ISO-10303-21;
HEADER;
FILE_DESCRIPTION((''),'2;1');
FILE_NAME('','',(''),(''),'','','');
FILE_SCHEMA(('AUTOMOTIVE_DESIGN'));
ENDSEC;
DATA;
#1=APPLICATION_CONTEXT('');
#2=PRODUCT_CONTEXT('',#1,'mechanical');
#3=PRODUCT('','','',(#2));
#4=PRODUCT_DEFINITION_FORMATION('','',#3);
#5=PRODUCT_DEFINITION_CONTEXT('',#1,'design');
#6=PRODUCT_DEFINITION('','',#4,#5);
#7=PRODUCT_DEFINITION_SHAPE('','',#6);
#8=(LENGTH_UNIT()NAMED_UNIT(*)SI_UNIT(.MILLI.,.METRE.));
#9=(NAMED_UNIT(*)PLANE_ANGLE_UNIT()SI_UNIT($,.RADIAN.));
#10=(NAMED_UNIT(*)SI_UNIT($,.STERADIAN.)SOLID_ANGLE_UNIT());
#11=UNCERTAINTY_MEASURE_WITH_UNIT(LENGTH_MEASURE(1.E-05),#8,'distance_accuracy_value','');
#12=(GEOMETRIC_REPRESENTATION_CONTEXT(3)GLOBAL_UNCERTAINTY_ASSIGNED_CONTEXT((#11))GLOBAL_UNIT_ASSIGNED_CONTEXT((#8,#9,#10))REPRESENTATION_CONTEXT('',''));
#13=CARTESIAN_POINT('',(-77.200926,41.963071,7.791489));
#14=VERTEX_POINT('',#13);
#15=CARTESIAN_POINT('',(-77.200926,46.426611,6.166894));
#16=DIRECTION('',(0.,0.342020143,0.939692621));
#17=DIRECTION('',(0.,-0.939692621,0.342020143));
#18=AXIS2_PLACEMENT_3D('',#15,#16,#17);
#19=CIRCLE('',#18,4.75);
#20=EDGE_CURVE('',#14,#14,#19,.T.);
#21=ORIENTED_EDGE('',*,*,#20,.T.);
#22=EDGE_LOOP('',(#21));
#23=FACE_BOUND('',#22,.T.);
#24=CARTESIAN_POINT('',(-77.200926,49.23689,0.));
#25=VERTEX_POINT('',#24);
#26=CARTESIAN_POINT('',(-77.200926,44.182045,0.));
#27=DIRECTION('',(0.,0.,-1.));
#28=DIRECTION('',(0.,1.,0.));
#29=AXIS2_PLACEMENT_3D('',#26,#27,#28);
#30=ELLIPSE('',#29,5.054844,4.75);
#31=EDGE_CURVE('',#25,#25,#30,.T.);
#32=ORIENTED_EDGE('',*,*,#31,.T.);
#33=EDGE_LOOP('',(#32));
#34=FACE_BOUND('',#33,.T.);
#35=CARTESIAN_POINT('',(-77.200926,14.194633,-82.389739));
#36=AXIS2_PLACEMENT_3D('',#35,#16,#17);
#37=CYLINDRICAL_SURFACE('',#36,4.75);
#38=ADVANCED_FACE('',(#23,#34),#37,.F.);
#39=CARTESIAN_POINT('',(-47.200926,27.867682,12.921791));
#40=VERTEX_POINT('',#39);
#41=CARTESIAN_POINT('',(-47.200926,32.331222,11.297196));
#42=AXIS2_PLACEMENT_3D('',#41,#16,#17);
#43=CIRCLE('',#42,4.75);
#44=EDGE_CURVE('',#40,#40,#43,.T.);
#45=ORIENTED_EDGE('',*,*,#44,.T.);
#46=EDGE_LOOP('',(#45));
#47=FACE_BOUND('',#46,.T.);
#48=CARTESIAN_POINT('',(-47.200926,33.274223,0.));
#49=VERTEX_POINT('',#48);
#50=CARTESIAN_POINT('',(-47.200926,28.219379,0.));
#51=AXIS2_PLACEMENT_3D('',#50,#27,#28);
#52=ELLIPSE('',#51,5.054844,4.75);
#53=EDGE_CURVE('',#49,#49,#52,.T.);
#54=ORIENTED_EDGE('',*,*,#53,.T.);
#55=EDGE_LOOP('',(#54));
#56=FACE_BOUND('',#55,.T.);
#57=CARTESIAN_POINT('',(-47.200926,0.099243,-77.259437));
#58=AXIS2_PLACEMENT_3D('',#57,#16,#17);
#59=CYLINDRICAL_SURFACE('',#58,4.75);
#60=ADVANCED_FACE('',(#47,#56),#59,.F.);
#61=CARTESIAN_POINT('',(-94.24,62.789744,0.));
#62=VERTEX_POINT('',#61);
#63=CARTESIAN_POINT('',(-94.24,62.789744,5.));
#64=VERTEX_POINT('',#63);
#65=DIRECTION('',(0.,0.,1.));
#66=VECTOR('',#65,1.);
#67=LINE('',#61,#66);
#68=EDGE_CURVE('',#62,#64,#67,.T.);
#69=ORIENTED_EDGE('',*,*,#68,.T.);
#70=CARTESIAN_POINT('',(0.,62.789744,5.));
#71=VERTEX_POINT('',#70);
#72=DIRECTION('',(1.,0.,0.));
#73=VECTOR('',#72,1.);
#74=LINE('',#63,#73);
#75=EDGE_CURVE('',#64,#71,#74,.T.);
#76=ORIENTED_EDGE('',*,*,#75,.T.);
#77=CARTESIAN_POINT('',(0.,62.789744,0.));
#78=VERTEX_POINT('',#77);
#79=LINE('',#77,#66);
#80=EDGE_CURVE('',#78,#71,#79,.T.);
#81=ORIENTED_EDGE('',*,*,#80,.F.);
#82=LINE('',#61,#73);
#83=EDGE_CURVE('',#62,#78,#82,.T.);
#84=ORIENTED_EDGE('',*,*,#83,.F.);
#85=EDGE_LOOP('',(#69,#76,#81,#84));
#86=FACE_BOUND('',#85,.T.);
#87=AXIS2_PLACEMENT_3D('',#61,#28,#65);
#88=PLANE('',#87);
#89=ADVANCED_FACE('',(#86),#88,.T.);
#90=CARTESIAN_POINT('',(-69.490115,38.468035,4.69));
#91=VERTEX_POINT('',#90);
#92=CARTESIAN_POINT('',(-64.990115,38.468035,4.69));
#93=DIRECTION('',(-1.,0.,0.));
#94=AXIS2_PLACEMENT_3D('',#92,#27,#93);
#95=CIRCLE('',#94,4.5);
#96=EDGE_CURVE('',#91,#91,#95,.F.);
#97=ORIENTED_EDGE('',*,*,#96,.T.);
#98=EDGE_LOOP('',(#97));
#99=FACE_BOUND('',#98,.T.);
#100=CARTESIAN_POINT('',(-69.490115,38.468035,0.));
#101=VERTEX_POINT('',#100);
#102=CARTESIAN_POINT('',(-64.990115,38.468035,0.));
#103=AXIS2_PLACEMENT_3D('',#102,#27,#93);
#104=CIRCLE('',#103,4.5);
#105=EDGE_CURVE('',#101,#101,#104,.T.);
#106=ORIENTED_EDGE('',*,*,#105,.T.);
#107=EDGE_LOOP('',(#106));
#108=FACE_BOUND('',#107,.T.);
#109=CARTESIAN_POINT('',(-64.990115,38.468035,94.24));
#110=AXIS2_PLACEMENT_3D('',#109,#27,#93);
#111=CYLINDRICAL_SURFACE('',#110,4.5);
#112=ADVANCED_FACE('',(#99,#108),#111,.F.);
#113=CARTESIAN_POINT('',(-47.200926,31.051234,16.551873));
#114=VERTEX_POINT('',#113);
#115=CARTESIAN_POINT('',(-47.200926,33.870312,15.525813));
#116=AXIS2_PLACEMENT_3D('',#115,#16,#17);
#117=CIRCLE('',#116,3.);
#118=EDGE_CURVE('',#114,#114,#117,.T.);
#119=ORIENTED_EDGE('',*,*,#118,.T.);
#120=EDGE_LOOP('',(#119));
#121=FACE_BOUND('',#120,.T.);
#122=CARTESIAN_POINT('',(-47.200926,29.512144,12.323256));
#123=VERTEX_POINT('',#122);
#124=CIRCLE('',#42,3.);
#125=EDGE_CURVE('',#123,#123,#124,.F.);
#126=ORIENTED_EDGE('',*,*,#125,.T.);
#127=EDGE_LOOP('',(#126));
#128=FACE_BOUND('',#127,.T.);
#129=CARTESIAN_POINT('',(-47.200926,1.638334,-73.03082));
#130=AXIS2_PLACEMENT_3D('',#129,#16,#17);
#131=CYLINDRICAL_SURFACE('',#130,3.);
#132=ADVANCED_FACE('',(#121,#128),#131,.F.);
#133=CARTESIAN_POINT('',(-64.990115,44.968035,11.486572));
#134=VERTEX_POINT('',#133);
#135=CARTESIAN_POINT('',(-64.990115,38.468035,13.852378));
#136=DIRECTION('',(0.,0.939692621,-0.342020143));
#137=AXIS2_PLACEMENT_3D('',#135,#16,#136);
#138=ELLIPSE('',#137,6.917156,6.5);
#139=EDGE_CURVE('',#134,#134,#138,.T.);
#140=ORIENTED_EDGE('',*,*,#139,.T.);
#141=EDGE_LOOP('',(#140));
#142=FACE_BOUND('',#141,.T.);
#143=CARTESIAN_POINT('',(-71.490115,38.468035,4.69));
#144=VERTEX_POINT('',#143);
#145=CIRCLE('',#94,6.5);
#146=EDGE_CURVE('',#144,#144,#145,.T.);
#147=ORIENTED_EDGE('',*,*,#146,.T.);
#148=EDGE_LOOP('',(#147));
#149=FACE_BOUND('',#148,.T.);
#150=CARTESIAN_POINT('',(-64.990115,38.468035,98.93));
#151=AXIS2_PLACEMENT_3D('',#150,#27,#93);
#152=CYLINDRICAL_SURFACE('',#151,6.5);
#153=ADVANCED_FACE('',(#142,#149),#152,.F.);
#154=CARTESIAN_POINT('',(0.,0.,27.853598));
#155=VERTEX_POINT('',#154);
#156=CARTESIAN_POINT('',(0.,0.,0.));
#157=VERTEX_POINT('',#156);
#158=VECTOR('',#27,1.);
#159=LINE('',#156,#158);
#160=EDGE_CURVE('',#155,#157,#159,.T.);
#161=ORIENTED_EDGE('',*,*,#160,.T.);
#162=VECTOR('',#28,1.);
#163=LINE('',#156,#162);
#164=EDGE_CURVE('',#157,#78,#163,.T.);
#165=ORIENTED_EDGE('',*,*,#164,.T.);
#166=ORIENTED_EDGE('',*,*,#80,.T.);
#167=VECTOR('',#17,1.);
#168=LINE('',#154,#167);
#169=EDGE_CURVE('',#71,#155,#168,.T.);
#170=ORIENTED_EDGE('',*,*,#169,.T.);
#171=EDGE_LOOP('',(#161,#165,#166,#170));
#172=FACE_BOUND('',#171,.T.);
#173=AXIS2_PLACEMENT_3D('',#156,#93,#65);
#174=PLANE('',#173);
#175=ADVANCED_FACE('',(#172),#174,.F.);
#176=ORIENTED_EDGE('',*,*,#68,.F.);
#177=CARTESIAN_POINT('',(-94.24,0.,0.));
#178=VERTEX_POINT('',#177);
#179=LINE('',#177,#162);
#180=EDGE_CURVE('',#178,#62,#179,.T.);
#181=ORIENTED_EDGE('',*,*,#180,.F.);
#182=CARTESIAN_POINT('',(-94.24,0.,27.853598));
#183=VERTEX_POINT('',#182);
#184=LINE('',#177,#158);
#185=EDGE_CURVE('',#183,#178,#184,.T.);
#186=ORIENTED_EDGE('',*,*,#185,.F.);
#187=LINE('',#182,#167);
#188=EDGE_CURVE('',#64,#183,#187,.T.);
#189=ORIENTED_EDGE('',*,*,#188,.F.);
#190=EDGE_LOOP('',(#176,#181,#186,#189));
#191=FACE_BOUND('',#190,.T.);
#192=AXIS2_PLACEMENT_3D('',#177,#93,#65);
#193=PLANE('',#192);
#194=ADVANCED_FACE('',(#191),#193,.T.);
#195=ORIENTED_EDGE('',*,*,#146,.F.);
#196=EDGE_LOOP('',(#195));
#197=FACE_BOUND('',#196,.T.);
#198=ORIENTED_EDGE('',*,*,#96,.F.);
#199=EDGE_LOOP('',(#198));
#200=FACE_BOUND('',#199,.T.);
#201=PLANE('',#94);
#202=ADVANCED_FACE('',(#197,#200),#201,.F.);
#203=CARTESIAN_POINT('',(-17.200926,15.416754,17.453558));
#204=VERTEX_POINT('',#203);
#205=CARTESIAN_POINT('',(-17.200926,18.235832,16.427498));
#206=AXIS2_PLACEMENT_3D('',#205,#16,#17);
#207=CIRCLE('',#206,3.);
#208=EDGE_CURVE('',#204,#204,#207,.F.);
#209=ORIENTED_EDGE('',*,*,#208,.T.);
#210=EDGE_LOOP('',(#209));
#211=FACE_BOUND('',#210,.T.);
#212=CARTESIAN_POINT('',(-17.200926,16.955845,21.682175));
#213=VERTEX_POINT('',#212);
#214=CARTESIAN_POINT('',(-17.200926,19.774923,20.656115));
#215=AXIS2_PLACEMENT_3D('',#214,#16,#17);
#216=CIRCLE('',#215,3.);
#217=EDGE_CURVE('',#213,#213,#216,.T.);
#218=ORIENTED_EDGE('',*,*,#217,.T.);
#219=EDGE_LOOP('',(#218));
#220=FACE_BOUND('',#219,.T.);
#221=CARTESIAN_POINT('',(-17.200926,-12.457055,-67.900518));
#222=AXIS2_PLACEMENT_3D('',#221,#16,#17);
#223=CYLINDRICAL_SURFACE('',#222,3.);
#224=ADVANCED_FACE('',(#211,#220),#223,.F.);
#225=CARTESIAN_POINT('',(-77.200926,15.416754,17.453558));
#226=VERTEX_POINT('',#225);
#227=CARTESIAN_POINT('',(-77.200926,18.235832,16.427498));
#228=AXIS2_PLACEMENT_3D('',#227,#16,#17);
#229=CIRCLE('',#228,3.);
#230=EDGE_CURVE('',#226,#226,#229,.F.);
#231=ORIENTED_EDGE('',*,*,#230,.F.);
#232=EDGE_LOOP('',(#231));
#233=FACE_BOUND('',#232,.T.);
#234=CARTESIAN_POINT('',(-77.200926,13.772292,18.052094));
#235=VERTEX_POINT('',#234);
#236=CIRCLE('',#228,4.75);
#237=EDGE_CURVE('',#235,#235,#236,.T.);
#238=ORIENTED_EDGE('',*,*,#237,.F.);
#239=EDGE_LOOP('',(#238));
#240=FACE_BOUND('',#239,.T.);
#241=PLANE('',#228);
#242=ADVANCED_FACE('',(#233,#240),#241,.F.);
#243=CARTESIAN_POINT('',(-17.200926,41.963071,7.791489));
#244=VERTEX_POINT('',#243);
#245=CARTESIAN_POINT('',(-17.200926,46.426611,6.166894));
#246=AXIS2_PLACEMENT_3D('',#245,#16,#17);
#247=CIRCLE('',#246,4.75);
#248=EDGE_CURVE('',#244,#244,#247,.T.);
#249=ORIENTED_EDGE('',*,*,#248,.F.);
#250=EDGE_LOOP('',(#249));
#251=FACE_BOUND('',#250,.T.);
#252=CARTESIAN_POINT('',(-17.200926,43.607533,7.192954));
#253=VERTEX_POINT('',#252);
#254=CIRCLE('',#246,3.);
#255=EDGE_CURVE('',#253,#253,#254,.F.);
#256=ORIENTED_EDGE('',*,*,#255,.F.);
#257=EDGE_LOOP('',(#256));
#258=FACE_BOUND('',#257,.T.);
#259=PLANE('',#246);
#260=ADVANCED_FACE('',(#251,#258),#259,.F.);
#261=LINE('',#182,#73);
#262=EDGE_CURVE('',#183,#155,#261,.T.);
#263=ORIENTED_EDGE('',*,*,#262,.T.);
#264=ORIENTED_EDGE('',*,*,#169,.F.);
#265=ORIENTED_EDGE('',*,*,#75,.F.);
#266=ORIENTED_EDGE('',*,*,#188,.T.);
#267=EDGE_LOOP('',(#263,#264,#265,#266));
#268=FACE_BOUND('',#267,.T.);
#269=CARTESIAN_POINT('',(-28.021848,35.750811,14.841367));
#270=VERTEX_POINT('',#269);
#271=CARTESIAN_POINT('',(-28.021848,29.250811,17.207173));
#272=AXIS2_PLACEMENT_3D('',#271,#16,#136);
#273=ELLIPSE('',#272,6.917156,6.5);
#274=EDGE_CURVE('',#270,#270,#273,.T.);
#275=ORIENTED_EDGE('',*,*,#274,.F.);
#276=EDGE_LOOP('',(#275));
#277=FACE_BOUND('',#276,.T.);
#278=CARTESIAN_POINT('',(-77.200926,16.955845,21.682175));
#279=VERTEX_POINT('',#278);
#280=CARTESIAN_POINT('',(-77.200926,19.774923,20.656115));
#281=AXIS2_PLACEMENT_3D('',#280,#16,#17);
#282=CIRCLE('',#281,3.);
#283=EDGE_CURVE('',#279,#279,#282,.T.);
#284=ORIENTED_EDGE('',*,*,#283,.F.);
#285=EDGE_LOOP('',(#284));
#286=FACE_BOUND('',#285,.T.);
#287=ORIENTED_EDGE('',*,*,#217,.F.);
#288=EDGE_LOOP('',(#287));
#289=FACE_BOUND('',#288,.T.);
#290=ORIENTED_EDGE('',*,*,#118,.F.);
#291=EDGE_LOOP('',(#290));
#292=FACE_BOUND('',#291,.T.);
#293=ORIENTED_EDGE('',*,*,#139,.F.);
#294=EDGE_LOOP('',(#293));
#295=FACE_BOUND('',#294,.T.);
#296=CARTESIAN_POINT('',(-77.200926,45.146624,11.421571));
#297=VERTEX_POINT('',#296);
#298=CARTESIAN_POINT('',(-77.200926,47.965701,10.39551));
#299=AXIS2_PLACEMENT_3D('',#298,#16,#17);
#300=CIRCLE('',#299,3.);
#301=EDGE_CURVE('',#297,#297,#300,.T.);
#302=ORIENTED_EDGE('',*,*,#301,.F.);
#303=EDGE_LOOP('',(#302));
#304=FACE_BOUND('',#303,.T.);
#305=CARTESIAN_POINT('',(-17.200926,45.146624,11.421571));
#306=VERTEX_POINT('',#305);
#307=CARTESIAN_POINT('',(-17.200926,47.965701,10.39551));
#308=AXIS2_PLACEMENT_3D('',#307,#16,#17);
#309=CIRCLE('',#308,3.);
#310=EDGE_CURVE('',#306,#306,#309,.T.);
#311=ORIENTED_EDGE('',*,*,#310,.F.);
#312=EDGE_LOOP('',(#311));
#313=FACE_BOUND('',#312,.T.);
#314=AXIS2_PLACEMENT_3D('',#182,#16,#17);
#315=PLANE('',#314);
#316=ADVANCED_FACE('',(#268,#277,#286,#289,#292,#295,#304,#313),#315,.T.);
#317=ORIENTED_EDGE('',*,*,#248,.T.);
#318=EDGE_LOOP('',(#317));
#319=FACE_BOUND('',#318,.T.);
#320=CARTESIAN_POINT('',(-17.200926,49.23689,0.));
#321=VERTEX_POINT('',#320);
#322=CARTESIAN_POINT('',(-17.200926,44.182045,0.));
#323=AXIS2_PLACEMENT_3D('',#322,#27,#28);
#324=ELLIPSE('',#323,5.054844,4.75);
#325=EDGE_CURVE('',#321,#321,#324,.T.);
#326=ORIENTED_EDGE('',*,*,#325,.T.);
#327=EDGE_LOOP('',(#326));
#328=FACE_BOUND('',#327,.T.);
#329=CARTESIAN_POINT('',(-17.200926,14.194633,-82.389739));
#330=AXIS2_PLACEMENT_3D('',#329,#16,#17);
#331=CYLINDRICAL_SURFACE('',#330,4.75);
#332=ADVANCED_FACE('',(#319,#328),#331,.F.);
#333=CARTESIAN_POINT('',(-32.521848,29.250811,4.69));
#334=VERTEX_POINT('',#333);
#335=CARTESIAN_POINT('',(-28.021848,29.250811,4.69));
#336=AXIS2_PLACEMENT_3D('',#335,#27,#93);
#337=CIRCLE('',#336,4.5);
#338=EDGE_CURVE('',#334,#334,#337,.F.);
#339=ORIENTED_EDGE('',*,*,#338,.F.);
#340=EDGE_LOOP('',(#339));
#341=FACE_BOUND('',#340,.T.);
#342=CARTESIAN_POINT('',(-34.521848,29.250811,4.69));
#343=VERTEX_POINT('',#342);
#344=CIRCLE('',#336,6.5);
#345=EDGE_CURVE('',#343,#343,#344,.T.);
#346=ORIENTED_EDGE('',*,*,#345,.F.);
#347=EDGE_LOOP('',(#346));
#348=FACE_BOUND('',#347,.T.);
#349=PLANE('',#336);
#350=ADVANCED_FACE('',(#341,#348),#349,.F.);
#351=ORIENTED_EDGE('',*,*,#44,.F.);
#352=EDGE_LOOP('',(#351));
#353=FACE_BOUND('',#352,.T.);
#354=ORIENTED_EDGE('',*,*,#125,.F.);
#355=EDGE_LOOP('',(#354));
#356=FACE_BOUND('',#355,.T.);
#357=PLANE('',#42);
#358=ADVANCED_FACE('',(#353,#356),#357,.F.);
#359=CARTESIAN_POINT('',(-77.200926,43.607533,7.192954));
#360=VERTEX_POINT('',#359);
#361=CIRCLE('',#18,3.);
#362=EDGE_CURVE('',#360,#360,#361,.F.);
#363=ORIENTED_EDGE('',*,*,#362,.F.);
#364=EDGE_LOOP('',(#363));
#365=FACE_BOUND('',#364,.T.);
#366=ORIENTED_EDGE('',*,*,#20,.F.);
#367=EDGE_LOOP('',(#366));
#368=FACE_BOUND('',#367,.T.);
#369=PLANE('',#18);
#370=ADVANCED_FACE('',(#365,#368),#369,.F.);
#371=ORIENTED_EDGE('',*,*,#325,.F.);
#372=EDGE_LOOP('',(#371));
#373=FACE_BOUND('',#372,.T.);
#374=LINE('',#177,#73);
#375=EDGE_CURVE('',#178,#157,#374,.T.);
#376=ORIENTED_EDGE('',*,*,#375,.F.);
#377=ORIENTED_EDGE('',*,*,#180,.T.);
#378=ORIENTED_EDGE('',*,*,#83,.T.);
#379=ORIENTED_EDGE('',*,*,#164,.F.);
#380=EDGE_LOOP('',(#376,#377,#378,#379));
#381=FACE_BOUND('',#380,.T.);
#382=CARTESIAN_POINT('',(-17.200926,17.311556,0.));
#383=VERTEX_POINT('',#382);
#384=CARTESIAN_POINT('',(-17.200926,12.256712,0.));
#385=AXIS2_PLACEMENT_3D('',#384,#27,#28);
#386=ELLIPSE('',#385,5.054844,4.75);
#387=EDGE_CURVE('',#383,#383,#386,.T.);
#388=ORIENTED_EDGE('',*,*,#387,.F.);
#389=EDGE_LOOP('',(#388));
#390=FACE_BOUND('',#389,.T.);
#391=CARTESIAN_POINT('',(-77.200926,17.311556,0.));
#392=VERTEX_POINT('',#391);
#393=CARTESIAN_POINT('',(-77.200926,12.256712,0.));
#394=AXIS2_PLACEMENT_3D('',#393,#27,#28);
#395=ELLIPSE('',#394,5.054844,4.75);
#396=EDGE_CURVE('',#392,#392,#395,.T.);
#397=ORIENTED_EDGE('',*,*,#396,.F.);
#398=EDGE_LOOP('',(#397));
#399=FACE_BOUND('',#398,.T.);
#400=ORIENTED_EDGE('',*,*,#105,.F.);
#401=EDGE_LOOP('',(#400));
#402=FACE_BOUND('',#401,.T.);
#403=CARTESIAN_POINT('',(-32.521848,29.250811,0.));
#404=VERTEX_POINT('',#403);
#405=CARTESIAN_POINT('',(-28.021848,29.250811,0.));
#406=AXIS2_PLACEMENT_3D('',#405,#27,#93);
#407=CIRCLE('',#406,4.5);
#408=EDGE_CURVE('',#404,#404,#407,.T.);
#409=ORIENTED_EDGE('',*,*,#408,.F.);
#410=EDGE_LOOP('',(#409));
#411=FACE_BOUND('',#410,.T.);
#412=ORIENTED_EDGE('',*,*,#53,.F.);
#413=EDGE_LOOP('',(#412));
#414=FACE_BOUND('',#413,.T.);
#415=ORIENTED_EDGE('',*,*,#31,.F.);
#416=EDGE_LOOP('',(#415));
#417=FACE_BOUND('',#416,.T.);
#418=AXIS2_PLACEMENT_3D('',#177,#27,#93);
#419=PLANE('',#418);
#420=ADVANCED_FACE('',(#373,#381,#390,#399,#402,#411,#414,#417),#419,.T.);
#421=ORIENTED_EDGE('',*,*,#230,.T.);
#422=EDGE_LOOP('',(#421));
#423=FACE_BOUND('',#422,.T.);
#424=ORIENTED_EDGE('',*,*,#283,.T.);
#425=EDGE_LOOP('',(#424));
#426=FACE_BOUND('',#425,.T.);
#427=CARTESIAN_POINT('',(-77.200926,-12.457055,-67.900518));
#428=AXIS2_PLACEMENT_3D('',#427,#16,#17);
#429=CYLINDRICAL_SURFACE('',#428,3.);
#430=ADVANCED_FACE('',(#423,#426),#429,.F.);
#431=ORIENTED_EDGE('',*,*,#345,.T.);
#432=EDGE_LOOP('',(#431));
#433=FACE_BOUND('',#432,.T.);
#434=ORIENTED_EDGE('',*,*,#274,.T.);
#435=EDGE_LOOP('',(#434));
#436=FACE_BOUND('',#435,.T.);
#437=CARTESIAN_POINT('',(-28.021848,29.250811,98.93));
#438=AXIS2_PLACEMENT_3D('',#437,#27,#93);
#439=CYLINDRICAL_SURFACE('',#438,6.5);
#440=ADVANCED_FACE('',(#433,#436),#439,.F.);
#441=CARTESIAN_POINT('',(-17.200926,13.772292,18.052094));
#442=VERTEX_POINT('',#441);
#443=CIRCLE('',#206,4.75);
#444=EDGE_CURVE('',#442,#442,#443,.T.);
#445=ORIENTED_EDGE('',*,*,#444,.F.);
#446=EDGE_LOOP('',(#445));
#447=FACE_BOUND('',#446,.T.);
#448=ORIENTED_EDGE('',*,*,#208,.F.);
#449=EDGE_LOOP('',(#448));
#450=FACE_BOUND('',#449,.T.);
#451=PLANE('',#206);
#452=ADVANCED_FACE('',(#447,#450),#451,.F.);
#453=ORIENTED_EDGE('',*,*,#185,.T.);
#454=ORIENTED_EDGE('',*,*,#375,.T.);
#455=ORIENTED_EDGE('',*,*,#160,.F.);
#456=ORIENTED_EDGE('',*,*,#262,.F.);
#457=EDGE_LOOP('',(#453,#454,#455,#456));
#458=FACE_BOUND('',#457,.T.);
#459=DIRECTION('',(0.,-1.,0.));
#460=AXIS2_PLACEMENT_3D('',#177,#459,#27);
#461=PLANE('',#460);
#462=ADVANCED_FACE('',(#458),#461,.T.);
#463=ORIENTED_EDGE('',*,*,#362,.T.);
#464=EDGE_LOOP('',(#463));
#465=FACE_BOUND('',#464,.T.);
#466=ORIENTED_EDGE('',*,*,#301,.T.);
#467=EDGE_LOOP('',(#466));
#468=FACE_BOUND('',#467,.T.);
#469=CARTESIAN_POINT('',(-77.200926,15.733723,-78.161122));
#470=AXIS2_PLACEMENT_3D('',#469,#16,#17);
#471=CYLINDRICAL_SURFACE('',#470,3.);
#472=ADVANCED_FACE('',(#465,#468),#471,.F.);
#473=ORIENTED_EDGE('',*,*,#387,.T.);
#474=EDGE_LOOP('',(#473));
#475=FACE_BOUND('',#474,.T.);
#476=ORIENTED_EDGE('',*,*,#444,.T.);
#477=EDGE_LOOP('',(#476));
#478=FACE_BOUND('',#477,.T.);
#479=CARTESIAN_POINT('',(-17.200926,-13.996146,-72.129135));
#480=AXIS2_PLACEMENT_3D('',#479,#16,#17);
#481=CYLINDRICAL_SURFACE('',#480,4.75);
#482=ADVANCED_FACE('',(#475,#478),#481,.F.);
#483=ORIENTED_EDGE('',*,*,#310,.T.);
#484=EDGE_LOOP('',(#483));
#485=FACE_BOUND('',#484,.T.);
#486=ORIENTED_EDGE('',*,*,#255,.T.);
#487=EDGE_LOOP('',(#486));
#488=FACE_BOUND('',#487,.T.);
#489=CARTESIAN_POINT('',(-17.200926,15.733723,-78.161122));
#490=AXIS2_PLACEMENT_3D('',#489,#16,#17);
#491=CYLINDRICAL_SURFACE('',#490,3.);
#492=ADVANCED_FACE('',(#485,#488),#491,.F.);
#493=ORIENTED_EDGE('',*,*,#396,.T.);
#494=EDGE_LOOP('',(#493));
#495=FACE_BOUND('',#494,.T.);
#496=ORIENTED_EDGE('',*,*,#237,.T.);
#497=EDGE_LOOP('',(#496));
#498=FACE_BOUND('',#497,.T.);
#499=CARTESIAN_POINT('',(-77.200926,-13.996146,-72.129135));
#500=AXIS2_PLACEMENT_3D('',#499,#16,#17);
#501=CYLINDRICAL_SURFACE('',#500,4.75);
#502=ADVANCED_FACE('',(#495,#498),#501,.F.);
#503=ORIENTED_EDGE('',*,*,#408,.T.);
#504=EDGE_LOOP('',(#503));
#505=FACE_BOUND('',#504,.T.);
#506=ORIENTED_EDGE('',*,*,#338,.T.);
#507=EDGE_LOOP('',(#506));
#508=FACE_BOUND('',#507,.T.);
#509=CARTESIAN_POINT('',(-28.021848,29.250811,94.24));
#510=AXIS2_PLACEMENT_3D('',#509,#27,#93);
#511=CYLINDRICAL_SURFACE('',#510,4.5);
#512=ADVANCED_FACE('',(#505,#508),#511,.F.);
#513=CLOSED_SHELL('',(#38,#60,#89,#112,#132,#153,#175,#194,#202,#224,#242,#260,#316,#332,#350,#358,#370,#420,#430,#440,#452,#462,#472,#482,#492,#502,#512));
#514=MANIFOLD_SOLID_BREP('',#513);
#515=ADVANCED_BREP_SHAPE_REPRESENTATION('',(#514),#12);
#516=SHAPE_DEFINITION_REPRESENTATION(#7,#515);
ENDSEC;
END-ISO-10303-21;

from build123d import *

# Parameters (mm, degrees)
BOSS_EXTRUDE1_DEPTH = 94.24
SKETCH2_R           = 4.5
CUT_EXTRUDE1_DEPTH  = 94.24
CUT_EXTRUDE2_START  = -4.69
SKETCH2_3_R         = 6.5
CUT_EXTRUDE2_DEPTH  = 94.24
SKETCH3_R           = 3
CUT_EXTRUDE3_DEPTH  = 94.24
CUT_EXTRUDE4_START  = -4.5
SKETCH3_3_R         = 4.75
CUT_EXTRUDE4_DEPTH  = 94.24


with BuildPart() as part:
    # Sketch1 → Boss-Extrude1 (new body)
    with BuildSketch(Plane(origin=(0, 0, 0), x_dir=(0, 0, -1), z_dir=(1, 0, 0))):
        Polygon((0, 0), (0, 62.78974436), (-5, 62.78974436), (-27.85359797, 0), align=None)
    extrude(amount=-BOSS_EXTRUDE1_DEPTH)

    # Sketch2 → Cut-Extrude1 (cut)
    with BuildSketch(Plane(origin=(0, 0, 0), x_dir=(-1, 0, 0), z_dir=(0, 0, -1))):
        with Locations((28.02184799, 29.25081122)):
            Circle(SKETCH2_R)
        with Locations((64.99011516, 38.46803544)):
            Circle(SKETCH2_R)
    extrude(amount=-CUT_EXTRUDE1_DEPTH, mode=Mode.SUBTRACT)

    # Sketch2<3> → Cut-Extrude2 (cut)
    with BuildSketch(Plane(origin=(0, 0, 0), x_dir=(-1, 0, 0), z_dir=(0, 0, -1)).offset(CUT_EXTRUDE2_START)):
        with Locations((28.02184799, 29.25081122)):
            Circle(SKETCH2_3_R)
        with Locations((64.99011516, 38.46803544)):
            Circle(SKETCH2_3_R)
    extrude(amount=-CUT_EXTRUDE2_DEPTH, mode=Mode.SUBTRACT)

    # Sketch3 → Cut-Extrude3 (cut)
    with BuildSketch(Plane(origin=(0, 8.951973832, 24.595345956), x_dir=(1, 0, 0), z_dir=(0, 0.3420201434019967, 0.9396926207581273))):
        with Locations((-17.20092637, 11.517541778)):
            Circle(SKETCH3_R)
        with Locations((-17.20092637, 41.517541778)):
            Circle(SKETCH3_R)
        with Locations((-47.20092637, 26.517541778)):
            Circle(SKETCH3_R)
        with Locations((-77.20092637, 41.517541778)):
            Circle(SKETCH3_R)
        with Locations((-77.20092637, 11.517541778)):
            Circle(SKETCH3_R)
    extrude(amount=-CUT_EXTRUDE3_DEPTH, mode=Mode.SUBTRACT)

    # Sketch3<3> → Cut-Extrude4 (cut)
    with BuildSketch(Plane(origin=(0, 8.951973832, 24.595345956), x_dir=(1, 0, 0), z_dir=(0, 0.3420201434019967, 0.9396926207581273)).offset(CUT_EXTRUDE4_START)):
        with Locations((-17.20092637, 11.517541778)):
            Circle(SKETCH3_3_R)
        with Locations((-17.20092637, 41.517541778)):
            Circle(SKETCH3_3_R)
        with Locations((-47.20092637, 26.517541778)):
            Circle(SKETCH3_3_R)
        with Locations((-77.20092637, 11.517541778)):
            Circle(SKETCH3_3_R)
        with Locations((-77.20092637, 41.517541778)):
            Circle(SKETCH3_3_R)
    extrude(amount=-CUT_EXTRUDE4_DEPTH, mode=Mode.SUBTRACT)


solid = part.part
